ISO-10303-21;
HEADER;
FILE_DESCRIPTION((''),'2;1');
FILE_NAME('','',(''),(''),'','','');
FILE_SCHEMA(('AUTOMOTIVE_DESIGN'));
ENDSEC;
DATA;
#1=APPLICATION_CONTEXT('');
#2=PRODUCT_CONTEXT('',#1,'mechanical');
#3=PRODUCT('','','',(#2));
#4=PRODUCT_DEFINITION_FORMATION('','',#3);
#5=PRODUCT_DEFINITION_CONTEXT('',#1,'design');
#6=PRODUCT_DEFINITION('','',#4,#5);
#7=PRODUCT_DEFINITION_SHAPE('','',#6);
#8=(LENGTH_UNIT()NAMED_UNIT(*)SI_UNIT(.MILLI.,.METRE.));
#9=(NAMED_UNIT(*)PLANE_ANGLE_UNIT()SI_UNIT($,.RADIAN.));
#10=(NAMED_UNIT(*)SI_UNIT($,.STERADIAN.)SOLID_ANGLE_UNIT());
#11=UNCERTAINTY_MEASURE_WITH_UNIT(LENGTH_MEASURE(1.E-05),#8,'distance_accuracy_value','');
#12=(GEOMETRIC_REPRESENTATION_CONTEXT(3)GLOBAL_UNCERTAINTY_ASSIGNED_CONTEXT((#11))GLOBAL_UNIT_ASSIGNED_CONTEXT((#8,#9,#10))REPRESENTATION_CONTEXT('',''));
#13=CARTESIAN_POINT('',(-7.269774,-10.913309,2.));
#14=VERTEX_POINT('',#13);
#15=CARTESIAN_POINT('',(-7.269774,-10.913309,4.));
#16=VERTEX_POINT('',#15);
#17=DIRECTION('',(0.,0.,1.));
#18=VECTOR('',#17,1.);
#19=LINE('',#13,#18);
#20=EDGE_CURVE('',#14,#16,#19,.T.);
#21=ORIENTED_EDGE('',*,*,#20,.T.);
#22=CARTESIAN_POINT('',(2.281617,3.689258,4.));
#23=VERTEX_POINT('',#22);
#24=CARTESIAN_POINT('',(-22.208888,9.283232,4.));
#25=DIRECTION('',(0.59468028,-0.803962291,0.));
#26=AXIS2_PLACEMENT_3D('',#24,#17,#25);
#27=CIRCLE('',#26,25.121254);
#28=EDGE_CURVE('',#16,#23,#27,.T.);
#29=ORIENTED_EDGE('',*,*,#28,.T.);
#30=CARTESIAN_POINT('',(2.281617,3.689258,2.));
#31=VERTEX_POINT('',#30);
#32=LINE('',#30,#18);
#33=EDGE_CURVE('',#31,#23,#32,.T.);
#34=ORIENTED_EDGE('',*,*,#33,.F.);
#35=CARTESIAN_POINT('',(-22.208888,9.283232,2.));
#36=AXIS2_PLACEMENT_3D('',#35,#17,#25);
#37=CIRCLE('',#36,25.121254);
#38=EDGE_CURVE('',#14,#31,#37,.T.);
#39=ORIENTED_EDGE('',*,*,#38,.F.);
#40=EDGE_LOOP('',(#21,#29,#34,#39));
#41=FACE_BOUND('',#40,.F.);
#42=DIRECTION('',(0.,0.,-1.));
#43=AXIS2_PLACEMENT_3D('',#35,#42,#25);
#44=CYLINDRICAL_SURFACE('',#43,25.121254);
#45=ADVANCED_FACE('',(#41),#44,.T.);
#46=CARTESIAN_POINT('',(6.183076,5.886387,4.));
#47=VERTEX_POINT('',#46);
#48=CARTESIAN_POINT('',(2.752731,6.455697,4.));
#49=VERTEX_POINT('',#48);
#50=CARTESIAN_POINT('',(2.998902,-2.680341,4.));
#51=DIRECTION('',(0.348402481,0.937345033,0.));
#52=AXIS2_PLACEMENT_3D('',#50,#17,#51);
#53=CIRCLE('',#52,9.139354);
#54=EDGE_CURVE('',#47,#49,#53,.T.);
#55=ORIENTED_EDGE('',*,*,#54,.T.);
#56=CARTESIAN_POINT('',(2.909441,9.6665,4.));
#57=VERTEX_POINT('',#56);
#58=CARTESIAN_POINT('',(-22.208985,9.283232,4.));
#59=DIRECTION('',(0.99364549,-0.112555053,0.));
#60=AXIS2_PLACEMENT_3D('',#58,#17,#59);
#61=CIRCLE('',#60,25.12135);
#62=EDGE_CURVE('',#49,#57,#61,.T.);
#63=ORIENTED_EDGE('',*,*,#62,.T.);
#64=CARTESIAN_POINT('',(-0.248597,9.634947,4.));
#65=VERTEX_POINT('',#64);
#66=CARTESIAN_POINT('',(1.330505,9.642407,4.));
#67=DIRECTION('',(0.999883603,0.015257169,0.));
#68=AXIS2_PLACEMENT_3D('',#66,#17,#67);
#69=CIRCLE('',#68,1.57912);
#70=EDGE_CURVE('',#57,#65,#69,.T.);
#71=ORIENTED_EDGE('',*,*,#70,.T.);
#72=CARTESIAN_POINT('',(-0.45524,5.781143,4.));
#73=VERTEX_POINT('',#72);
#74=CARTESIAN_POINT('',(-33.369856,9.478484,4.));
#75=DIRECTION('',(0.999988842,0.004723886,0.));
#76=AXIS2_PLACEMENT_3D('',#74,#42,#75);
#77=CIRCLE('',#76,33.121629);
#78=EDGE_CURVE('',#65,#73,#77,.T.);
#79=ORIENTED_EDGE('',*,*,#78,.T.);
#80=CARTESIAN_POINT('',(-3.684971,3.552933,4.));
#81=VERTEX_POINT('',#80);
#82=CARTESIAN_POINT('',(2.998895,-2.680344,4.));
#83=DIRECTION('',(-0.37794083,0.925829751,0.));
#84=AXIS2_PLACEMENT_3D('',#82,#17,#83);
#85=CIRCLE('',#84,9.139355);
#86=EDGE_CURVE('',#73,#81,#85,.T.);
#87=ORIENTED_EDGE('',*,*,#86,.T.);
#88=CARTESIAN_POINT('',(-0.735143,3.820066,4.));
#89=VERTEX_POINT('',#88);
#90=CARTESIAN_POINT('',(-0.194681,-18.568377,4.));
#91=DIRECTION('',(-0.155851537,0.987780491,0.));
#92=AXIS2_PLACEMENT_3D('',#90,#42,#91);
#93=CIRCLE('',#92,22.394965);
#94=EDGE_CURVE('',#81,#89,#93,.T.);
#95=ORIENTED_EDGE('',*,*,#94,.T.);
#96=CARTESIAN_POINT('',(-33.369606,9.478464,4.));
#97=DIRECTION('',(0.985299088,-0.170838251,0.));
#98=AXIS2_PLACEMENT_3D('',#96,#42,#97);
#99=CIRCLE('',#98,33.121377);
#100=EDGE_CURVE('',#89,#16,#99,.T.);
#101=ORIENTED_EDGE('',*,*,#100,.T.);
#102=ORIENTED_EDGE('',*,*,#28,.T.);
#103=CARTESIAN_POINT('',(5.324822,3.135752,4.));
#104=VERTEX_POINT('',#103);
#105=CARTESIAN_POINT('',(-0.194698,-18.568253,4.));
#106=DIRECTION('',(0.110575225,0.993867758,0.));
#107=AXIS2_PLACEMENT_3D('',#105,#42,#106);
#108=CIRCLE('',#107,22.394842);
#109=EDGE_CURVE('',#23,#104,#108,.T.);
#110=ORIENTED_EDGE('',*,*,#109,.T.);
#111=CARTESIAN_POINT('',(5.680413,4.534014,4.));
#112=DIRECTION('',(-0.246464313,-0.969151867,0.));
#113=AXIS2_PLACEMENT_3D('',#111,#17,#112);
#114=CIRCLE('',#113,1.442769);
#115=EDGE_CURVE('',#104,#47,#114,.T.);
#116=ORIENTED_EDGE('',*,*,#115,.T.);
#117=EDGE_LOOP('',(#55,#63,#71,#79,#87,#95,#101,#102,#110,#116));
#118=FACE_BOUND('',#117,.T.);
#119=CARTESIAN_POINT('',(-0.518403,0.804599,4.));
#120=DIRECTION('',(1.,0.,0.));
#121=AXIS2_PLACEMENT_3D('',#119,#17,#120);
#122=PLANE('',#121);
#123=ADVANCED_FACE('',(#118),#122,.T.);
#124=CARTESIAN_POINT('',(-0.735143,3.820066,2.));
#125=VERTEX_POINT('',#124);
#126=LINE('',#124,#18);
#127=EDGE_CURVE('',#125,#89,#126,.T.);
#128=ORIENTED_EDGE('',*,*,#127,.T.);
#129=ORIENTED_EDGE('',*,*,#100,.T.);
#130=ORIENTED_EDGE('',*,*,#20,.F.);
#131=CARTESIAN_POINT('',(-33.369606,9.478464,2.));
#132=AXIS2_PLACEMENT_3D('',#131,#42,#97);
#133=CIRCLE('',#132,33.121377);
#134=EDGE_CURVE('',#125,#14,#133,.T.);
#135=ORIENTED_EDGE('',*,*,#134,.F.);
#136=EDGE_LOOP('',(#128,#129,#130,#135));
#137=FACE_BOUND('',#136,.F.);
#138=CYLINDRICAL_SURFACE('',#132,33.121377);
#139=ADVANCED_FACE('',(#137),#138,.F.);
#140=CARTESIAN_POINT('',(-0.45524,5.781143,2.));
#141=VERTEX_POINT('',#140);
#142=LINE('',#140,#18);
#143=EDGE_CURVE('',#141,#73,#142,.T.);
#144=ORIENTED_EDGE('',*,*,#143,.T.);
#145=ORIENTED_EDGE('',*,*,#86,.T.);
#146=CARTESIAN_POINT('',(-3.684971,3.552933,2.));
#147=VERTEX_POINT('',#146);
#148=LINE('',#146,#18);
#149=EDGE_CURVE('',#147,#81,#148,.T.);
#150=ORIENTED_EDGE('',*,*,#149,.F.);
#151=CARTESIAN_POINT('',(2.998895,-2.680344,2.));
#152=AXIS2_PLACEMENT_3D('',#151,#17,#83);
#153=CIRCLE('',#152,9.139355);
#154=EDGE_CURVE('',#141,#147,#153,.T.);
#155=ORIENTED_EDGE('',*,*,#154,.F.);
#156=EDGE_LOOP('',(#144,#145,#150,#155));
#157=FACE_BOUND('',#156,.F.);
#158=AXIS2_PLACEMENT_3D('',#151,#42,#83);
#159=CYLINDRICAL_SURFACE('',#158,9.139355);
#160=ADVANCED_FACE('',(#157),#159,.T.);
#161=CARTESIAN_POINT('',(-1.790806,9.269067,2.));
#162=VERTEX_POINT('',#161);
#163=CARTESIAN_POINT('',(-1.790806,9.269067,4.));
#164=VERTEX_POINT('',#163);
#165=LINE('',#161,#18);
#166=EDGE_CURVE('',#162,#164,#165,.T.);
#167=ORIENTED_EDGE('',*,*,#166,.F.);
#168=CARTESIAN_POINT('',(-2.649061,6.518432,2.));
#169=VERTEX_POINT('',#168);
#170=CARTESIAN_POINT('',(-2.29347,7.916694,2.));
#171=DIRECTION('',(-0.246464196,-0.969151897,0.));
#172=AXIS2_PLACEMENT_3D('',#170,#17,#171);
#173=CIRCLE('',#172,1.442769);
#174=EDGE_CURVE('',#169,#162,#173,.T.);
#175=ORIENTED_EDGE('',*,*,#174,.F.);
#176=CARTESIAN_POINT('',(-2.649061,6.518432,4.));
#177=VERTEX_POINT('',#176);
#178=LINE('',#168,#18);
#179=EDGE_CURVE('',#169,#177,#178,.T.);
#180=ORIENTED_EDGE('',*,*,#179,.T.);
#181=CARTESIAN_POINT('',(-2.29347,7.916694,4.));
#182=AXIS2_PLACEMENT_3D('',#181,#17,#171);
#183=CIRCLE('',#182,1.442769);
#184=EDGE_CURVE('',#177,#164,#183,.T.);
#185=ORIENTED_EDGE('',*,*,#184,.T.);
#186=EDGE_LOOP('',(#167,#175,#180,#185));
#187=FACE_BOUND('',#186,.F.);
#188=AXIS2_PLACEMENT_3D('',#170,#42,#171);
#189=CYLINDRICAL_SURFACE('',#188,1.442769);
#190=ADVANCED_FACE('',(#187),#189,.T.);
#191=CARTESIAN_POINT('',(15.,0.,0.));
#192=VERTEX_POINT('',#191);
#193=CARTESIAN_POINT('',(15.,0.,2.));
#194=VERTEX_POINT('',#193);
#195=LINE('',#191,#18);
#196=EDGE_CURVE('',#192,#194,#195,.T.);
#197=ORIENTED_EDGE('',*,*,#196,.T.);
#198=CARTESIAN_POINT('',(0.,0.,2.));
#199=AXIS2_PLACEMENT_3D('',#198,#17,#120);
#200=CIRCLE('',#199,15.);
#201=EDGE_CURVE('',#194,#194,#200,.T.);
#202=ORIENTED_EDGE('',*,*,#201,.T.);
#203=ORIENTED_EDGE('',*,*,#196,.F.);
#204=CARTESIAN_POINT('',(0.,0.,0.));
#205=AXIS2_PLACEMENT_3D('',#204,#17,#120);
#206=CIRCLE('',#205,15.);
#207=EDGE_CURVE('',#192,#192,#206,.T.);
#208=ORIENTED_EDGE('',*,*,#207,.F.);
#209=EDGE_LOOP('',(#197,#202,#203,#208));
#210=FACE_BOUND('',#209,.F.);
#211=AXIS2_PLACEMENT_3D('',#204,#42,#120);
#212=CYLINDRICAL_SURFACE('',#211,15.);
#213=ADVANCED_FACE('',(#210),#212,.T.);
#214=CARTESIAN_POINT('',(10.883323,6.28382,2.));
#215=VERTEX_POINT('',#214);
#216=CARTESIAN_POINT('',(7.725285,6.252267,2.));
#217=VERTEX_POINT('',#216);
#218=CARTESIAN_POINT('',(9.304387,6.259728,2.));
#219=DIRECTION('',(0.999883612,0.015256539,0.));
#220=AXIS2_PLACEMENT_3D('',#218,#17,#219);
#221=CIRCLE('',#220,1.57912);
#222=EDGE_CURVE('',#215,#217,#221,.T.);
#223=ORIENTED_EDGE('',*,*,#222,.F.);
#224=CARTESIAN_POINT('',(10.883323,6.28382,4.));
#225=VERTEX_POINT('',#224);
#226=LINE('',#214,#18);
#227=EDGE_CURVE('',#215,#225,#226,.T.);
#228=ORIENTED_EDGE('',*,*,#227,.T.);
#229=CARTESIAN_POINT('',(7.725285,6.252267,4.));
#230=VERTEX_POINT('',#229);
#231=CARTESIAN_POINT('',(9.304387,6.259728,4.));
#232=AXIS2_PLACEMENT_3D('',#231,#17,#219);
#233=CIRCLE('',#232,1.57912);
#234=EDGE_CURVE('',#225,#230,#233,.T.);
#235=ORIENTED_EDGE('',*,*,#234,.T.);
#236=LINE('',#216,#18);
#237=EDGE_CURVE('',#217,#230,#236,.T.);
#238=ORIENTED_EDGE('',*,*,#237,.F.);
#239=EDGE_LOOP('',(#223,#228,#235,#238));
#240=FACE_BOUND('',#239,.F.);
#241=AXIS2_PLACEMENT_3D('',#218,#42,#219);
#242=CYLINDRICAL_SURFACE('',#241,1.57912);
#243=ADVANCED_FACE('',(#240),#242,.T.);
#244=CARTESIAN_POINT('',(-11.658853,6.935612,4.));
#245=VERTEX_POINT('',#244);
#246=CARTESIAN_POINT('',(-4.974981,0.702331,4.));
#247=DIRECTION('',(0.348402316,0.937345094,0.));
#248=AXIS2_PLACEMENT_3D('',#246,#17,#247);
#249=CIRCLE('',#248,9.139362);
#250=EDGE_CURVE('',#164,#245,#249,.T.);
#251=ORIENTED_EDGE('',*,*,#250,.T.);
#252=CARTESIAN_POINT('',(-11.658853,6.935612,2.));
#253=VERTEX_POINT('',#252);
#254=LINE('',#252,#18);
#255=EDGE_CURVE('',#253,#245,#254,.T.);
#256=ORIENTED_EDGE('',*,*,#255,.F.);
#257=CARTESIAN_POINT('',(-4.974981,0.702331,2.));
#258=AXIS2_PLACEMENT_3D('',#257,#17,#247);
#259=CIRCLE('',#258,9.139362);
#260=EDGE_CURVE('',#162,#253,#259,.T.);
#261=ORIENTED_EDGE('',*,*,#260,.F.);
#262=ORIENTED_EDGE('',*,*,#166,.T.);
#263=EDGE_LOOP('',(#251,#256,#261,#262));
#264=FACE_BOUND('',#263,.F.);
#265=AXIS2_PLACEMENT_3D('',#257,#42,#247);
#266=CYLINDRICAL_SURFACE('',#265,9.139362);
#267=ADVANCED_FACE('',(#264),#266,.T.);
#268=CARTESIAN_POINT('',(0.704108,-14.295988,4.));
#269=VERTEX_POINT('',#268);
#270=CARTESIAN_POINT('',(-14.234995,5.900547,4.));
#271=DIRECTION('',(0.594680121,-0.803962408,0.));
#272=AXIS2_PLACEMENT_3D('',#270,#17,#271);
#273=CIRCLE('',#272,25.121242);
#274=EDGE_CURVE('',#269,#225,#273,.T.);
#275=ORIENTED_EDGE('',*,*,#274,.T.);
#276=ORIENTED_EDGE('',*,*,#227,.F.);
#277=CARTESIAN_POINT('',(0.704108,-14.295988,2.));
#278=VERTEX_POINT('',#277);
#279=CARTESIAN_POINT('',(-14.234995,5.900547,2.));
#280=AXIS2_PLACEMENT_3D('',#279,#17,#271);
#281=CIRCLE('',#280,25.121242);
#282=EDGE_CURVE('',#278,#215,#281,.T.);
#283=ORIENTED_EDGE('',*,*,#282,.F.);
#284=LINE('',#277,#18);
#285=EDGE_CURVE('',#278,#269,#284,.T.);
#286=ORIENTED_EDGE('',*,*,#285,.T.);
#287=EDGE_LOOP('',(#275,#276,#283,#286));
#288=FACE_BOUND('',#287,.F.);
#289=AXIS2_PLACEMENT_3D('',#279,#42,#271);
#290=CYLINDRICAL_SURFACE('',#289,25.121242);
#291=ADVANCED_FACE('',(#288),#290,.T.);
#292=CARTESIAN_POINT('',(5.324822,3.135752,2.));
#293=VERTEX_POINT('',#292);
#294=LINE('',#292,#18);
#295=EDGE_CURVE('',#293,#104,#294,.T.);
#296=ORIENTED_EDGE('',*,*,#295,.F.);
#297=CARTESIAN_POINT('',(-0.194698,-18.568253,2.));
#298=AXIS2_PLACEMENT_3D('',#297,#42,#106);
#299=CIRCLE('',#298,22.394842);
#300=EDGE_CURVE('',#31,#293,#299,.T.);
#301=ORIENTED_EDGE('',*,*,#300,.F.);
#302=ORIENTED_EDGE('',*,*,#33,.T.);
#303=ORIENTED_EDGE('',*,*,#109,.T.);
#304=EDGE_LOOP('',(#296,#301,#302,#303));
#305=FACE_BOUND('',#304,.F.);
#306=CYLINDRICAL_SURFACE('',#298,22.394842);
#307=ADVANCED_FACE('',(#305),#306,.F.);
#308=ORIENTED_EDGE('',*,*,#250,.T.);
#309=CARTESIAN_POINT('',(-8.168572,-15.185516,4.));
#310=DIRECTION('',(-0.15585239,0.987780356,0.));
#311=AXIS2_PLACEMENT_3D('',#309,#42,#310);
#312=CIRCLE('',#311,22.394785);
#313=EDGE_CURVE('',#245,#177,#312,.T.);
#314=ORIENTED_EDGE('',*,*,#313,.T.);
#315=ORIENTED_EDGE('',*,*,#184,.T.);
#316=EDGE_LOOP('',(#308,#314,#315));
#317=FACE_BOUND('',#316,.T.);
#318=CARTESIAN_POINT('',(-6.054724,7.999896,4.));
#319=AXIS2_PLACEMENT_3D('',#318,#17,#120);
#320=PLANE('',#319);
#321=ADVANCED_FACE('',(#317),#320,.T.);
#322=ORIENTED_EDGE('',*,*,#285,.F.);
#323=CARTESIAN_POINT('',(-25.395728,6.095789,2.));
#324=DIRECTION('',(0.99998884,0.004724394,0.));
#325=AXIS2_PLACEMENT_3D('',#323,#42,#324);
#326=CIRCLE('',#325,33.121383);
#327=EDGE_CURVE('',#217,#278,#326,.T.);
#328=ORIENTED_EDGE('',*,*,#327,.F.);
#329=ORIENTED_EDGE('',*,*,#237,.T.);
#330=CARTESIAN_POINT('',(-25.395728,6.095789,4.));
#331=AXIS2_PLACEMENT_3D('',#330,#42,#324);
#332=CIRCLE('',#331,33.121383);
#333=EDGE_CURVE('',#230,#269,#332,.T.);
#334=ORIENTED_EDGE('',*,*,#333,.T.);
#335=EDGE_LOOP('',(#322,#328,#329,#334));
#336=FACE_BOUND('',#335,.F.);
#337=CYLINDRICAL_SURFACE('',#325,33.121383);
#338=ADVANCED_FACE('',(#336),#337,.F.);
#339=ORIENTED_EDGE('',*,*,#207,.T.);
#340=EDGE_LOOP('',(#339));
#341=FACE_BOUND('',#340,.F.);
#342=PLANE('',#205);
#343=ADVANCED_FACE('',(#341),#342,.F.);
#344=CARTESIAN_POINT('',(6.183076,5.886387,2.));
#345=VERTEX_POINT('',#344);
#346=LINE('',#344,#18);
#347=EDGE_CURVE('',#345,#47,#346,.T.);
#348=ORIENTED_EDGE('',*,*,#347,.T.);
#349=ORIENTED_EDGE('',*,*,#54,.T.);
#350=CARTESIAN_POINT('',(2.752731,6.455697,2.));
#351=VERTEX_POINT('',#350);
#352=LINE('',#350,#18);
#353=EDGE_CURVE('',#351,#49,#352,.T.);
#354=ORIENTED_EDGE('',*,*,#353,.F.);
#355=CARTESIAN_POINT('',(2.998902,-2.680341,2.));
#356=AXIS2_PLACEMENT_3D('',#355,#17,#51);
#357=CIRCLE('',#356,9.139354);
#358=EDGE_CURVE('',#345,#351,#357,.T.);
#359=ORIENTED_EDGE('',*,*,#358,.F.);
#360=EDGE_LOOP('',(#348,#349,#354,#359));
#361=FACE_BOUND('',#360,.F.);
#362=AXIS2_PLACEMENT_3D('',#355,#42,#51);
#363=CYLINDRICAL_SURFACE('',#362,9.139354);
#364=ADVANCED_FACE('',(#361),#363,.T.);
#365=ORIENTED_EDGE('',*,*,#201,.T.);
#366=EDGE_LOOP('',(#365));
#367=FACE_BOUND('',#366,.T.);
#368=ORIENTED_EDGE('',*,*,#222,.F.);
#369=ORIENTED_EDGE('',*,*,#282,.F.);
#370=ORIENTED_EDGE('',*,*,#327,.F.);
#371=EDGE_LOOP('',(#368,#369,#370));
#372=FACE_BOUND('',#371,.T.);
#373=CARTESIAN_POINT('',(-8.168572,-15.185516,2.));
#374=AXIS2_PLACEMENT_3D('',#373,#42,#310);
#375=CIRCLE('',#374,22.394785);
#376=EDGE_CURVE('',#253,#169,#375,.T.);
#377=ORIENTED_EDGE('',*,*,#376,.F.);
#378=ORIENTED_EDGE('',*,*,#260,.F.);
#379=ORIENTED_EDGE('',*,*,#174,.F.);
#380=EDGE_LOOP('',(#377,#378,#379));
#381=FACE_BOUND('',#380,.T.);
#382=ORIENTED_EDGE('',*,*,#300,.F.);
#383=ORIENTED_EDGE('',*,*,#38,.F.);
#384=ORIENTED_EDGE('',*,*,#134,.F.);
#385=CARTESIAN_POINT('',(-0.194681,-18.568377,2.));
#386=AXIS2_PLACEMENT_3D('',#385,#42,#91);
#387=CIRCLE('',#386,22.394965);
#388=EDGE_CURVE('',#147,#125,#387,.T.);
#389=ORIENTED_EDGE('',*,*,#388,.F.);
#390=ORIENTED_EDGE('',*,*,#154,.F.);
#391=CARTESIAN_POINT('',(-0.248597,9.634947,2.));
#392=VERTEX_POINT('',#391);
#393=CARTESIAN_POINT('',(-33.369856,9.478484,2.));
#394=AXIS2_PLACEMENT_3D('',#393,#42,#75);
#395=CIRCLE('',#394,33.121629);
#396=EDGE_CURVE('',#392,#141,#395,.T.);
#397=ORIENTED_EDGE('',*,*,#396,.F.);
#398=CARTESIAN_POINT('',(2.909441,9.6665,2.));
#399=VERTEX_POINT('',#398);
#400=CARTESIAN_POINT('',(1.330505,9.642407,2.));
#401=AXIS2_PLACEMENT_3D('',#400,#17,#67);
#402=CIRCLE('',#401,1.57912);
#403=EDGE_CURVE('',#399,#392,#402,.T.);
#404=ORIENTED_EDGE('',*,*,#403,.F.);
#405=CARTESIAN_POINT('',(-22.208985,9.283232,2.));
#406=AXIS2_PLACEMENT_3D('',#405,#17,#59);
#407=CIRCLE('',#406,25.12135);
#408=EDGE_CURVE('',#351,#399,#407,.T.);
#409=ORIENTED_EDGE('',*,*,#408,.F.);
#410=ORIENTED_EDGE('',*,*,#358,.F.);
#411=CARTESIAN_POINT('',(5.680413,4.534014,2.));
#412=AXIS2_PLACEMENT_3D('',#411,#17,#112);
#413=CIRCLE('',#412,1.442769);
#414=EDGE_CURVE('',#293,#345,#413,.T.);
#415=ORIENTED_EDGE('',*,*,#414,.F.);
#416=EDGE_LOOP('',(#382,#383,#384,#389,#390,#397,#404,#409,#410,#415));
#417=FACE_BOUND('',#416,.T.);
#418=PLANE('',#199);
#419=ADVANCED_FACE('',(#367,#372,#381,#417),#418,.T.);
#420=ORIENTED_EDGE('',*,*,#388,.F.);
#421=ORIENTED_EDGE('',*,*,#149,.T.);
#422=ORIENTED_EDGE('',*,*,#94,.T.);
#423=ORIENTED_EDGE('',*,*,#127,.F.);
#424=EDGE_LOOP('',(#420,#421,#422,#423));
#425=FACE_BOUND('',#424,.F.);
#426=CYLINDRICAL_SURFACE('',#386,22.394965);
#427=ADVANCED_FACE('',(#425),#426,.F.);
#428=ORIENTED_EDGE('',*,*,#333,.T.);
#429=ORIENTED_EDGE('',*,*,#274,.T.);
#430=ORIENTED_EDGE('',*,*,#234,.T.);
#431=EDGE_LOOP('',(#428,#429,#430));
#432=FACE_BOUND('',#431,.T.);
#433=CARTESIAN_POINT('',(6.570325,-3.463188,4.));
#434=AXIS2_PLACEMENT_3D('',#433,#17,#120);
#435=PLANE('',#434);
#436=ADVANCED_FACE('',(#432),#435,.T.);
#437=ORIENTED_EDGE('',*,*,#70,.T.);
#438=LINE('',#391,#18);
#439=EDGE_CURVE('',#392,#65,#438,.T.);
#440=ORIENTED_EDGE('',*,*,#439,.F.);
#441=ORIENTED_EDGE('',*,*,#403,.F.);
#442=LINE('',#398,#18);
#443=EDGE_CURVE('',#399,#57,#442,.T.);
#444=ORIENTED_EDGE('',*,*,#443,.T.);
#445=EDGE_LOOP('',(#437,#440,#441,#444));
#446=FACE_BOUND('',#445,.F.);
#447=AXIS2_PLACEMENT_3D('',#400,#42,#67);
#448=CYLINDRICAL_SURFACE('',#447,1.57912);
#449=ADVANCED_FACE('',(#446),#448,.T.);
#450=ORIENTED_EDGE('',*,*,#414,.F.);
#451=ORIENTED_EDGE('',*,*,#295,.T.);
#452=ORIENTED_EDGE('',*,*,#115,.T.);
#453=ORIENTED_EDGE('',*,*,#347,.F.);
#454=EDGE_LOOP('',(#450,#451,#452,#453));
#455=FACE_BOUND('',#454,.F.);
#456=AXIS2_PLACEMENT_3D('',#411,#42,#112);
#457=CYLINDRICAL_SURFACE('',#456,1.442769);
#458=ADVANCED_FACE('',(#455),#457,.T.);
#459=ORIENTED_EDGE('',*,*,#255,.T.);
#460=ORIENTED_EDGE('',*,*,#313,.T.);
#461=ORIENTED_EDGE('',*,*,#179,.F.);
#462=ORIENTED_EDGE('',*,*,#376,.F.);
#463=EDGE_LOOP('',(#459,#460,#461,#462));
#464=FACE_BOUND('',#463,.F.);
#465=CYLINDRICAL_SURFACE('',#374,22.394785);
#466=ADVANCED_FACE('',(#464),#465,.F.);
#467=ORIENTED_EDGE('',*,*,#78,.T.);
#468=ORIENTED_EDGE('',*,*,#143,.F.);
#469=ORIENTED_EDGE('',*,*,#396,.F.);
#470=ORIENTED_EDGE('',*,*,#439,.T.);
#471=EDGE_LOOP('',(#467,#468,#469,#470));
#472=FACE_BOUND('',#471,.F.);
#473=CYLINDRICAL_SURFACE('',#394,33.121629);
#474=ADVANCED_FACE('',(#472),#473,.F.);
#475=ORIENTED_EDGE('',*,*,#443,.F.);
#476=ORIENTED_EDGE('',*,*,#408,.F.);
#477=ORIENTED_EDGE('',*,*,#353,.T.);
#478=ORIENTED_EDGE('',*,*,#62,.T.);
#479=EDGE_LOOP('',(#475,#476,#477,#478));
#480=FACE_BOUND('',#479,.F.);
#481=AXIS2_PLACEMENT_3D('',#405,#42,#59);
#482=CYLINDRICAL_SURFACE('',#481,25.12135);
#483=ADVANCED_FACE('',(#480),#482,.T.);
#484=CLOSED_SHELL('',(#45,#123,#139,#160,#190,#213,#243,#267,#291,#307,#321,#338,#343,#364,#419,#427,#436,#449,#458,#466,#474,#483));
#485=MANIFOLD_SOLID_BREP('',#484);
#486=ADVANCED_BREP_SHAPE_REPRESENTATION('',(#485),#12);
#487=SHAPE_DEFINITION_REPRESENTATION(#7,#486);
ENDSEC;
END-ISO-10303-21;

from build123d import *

# Parameters (mm, degrees)
F0_R     = 15
F1_DEPTH = 2
F3_DEPTH = 2


with BuildPart() as f1:
    # F0 (on Top) → F1 (new body)
    with BuildSketch(Plane.XY):
        Circle(F0_R)
    extrude(amount=F1_DEPTH)

    # F2 (on face) → F3 (join)
    with BuildSketch(Plane.XY.offset(2)):
        with BuildLine():
            ThreePointArc((-11.658853, 6.935612), (-7.132737, 7.1853), (-2.649061, 6.518432))
            ThreePointArc((-2.649061, 6.518432), (-0.916188, 7.486954), (-1.790806, 9.269067))
            ThreePointArc((-1.790806, 9.269067), (-7.078127, 9.596414), (-11.658853, 6.935612))
        make_face()
        with BuildLine():
            ThreePointArc((2.752731, 6.455697), (2.882497, 8.058589), (2.909441, 9.6665))
            ThreePointArc((2.909441, 9.6665), (1.314728, 11.221448), (-0.248597, 9.634947))
            ThreePointArc((-0.248597, 9.634947), (-0.29574, 7.705033), (-0.45524, 5.781143))
            ThreePointArc((-0.45524, 5.781143), (-2.191095, 4.842409), (-3.684971, 3.552933))
            ThreePointArc((-3.684971, 3.552933), (-2.214478, 3.73532), (-0.735143, 3.820066))
            ThreePointArc((-0.735143, 3.820066), (-3.092594, -3.950169), (-7.269774, -10.913309))
            ThreePointArc((-7.269774, -10.913309), (-1.185509, -4.467947), (2.281617, 3.689258))
            ThreePointArc((2.281617, 3.689258), (3.812787, 3.465108), (5.324822, 3.135752))
            ThreePointArc((5.324822, 3.135752), (7.057695, 4.104274), (6.183076, 5.886387))
            ThreePointArc((6.183076, 5.886387), (4.495229, 6.335689), (2.752731, 6.455697))
        make_face()
        with BuildLine():
            ThreePointArc((0.704108, -14.295988), (8.282362, -5.237022), (10.883323, 6.28382))
            ThreePointArc((10.883323, 6.28382), (9.288611, 7.838769), (7.725285, 6.252267))
            ThreePointArc((7.725285, 6.252267), (5.946495, -4.613602), (0.704108, -14.295988))
        make_face()
    extrude(amount=F3_DEPTH)


solid = f1.part
